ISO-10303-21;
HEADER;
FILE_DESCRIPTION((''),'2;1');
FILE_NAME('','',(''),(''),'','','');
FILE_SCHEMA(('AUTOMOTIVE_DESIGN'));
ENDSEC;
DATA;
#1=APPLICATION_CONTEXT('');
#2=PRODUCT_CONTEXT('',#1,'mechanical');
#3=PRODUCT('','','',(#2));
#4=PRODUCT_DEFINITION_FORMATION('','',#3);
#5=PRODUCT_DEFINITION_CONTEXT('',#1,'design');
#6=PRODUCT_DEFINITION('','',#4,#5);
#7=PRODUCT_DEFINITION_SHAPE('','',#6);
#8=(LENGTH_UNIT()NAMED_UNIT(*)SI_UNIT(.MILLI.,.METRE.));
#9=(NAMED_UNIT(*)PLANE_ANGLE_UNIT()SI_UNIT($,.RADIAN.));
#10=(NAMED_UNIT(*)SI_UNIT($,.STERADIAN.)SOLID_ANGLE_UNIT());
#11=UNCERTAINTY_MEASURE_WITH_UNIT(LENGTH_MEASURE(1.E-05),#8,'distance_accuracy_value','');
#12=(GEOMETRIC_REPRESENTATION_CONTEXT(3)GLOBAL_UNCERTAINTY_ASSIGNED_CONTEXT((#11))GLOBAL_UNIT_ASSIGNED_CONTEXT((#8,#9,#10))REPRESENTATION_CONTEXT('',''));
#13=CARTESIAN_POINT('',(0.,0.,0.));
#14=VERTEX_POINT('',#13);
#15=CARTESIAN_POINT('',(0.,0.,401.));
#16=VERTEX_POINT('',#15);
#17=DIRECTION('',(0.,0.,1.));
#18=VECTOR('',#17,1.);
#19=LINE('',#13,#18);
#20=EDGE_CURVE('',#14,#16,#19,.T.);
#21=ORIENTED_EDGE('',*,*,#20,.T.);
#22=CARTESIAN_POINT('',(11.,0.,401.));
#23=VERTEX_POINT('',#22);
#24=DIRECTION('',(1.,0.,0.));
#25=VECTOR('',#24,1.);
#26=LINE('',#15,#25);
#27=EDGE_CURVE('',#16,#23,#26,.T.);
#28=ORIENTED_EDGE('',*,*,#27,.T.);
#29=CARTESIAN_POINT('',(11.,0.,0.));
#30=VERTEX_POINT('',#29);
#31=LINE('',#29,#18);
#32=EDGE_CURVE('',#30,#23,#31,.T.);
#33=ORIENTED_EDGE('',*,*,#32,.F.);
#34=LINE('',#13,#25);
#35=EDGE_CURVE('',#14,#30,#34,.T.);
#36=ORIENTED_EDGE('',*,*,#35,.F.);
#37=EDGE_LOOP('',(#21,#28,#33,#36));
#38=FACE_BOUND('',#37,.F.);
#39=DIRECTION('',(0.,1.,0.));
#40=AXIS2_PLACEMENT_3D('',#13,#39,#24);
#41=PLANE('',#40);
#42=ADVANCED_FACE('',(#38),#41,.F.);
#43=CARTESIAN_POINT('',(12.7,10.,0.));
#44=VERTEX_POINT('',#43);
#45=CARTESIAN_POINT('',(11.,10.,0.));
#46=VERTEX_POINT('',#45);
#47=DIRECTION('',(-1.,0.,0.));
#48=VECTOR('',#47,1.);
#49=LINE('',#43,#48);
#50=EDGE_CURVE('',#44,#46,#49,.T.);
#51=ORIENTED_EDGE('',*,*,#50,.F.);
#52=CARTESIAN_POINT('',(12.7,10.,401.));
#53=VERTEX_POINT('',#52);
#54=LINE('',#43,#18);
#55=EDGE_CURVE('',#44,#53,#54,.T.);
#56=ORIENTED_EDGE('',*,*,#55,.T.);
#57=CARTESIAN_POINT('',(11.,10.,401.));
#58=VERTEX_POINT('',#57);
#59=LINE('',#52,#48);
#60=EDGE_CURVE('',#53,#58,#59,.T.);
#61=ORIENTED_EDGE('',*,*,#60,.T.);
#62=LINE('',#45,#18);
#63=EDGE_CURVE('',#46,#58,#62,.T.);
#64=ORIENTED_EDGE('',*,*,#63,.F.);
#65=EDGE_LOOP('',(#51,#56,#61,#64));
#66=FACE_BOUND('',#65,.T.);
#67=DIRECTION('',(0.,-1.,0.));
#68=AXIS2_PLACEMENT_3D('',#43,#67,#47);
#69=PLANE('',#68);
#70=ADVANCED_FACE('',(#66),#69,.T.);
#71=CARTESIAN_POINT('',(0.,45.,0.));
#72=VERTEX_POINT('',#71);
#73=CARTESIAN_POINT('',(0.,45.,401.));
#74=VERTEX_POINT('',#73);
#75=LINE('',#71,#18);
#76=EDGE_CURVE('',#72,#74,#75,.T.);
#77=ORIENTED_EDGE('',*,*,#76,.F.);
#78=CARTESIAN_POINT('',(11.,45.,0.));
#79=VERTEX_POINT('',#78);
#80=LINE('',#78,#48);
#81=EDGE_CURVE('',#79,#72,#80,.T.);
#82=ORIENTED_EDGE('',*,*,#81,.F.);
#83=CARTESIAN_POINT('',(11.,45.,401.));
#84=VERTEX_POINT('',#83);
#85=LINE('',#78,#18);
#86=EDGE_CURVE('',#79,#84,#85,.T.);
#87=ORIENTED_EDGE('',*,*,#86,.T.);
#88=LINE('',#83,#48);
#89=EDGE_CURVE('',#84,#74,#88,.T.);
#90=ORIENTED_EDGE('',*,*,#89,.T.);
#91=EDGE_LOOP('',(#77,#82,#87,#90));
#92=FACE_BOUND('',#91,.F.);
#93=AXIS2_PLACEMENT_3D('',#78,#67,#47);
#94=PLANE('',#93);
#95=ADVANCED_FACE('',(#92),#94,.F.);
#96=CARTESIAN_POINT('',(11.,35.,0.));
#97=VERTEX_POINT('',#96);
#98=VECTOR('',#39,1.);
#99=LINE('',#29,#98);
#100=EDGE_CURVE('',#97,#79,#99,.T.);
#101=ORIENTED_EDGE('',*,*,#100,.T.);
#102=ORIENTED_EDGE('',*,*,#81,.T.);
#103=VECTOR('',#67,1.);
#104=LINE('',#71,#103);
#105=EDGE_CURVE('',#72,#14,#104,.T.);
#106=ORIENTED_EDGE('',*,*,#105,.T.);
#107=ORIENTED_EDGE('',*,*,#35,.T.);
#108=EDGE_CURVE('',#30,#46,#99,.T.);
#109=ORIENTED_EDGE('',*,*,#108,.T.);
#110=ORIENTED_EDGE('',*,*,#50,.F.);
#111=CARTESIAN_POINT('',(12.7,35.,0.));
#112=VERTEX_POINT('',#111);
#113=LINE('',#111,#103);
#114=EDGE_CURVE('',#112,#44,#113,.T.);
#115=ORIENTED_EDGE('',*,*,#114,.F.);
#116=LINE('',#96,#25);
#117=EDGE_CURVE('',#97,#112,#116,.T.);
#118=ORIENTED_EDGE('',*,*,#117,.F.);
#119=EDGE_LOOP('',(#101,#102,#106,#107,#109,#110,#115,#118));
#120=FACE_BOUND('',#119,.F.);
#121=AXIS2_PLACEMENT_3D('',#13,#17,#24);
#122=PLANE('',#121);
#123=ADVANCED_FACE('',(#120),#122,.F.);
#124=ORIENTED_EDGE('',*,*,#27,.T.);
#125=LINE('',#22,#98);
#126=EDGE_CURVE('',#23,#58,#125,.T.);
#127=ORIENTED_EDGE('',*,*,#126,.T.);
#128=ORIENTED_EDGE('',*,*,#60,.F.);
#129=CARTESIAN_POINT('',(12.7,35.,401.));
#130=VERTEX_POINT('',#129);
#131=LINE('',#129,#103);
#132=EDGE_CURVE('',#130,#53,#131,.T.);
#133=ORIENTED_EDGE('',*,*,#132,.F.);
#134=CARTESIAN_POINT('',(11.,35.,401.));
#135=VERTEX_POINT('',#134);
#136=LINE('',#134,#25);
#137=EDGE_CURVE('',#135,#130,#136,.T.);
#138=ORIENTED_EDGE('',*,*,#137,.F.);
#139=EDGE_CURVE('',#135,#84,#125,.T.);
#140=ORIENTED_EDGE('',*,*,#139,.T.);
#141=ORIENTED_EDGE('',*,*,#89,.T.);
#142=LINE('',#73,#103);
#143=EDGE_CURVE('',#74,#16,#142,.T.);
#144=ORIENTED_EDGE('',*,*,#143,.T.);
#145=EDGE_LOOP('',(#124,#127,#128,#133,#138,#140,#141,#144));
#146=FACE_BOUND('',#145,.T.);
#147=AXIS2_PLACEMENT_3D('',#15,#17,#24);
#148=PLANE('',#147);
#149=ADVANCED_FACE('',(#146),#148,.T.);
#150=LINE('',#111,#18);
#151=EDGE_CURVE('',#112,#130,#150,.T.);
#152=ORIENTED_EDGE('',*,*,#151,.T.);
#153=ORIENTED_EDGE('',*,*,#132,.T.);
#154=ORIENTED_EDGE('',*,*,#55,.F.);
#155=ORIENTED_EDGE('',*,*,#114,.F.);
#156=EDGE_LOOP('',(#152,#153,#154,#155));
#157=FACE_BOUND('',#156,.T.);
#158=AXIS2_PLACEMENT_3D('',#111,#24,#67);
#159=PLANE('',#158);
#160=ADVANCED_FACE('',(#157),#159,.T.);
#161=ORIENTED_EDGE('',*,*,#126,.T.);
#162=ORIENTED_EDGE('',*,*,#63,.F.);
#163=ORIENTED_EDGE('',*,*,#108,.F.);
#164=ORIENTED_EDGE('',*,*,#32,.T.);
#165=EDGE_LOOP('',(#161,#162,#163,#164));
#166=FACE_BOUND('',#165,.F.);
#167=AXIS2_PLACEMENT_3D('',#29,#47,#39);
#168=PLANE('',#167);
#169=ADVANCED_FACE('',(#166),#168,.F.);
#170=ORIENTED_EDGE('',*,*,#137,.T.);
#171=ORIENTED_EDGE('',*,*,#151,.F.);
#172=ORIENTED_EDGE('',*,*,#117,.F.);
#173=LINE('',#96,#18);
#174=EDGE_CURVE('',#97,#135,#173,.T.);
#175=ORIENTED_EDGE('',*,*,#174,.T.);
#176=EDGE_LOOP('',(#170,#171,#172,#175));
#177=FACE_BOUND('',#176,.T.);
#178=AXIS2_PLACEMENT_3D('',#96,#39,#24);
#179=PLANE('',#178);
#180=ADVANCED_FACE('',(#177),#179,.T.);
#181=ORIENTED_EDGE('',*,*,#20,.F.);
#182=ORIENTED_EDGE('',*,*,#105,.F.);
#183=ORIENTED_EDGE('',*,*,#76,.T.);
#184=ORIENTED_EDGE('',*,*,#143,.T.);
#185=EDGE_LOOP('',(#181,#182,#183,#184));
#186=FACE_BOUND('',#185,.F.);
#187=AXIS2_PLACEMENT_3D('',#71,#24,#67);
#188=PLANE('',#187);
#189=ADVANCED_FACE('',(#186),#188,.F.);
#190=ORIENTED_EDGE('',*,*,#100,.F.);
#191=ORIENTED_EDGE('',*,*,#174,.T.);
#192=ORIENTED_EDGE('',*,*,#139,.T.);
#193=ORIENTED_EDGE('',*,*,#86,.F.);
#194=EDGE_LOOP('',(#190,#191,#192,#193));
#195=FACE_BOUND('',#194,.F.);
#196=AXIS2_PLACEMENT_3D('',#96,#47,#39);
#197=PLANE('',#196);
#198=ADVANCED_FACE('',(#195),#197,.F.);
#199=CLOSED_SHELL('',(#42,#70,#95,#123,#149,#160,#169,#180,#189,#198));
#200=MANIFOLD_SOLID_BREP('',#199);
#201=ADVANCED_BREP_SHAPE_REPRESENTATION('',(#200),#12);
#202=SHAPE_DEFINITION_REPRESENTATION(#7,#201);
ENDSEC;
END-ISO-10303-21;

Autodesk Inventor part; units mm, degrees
ref_plane "YZ Plane" through (0, 0, 0) normal (1, 0, 0) x (0, 1, 0)
ref_plane "XZ Plane" through (0, 0, 0) normal (0, 1, 0) x (-1, 0, 0)
ref_plane "XY Plane" through (0, 0, 0) normal (0, 0, 1) x (1, 0, 0)
sketch "Sketch1" plane through (0, 0, 0) normal (0, 0, 1) x (1, 0, 0)
  line L0 (0, 0) -> (11, 0)
  line L1 (11, 0) -> (11, 45)
  line L2 (11, 45) -> (0, 45)
  line L3 (0, 45) -> (0, 0)
  line L4 (0, 22.5) -> (11, 22.5) construction
  line L5 (11, 35) -> (12.7, 35)
  line L6 (12.7, 35) -> (12.7, 10)
  line L7 (12.7, 10) -> (11, 10)
  line L8 (11, 10) -> (11, 35)
  dimension "d0" = 11
  dimension "d1" = 45
  dimension "d2" = 1.7
  dimension "d3" = 25
extrude "Extrusion1" add sketch "Sketch1" along normal blind 401
properties part number "prowadnica 400mm pelny wysuw"
